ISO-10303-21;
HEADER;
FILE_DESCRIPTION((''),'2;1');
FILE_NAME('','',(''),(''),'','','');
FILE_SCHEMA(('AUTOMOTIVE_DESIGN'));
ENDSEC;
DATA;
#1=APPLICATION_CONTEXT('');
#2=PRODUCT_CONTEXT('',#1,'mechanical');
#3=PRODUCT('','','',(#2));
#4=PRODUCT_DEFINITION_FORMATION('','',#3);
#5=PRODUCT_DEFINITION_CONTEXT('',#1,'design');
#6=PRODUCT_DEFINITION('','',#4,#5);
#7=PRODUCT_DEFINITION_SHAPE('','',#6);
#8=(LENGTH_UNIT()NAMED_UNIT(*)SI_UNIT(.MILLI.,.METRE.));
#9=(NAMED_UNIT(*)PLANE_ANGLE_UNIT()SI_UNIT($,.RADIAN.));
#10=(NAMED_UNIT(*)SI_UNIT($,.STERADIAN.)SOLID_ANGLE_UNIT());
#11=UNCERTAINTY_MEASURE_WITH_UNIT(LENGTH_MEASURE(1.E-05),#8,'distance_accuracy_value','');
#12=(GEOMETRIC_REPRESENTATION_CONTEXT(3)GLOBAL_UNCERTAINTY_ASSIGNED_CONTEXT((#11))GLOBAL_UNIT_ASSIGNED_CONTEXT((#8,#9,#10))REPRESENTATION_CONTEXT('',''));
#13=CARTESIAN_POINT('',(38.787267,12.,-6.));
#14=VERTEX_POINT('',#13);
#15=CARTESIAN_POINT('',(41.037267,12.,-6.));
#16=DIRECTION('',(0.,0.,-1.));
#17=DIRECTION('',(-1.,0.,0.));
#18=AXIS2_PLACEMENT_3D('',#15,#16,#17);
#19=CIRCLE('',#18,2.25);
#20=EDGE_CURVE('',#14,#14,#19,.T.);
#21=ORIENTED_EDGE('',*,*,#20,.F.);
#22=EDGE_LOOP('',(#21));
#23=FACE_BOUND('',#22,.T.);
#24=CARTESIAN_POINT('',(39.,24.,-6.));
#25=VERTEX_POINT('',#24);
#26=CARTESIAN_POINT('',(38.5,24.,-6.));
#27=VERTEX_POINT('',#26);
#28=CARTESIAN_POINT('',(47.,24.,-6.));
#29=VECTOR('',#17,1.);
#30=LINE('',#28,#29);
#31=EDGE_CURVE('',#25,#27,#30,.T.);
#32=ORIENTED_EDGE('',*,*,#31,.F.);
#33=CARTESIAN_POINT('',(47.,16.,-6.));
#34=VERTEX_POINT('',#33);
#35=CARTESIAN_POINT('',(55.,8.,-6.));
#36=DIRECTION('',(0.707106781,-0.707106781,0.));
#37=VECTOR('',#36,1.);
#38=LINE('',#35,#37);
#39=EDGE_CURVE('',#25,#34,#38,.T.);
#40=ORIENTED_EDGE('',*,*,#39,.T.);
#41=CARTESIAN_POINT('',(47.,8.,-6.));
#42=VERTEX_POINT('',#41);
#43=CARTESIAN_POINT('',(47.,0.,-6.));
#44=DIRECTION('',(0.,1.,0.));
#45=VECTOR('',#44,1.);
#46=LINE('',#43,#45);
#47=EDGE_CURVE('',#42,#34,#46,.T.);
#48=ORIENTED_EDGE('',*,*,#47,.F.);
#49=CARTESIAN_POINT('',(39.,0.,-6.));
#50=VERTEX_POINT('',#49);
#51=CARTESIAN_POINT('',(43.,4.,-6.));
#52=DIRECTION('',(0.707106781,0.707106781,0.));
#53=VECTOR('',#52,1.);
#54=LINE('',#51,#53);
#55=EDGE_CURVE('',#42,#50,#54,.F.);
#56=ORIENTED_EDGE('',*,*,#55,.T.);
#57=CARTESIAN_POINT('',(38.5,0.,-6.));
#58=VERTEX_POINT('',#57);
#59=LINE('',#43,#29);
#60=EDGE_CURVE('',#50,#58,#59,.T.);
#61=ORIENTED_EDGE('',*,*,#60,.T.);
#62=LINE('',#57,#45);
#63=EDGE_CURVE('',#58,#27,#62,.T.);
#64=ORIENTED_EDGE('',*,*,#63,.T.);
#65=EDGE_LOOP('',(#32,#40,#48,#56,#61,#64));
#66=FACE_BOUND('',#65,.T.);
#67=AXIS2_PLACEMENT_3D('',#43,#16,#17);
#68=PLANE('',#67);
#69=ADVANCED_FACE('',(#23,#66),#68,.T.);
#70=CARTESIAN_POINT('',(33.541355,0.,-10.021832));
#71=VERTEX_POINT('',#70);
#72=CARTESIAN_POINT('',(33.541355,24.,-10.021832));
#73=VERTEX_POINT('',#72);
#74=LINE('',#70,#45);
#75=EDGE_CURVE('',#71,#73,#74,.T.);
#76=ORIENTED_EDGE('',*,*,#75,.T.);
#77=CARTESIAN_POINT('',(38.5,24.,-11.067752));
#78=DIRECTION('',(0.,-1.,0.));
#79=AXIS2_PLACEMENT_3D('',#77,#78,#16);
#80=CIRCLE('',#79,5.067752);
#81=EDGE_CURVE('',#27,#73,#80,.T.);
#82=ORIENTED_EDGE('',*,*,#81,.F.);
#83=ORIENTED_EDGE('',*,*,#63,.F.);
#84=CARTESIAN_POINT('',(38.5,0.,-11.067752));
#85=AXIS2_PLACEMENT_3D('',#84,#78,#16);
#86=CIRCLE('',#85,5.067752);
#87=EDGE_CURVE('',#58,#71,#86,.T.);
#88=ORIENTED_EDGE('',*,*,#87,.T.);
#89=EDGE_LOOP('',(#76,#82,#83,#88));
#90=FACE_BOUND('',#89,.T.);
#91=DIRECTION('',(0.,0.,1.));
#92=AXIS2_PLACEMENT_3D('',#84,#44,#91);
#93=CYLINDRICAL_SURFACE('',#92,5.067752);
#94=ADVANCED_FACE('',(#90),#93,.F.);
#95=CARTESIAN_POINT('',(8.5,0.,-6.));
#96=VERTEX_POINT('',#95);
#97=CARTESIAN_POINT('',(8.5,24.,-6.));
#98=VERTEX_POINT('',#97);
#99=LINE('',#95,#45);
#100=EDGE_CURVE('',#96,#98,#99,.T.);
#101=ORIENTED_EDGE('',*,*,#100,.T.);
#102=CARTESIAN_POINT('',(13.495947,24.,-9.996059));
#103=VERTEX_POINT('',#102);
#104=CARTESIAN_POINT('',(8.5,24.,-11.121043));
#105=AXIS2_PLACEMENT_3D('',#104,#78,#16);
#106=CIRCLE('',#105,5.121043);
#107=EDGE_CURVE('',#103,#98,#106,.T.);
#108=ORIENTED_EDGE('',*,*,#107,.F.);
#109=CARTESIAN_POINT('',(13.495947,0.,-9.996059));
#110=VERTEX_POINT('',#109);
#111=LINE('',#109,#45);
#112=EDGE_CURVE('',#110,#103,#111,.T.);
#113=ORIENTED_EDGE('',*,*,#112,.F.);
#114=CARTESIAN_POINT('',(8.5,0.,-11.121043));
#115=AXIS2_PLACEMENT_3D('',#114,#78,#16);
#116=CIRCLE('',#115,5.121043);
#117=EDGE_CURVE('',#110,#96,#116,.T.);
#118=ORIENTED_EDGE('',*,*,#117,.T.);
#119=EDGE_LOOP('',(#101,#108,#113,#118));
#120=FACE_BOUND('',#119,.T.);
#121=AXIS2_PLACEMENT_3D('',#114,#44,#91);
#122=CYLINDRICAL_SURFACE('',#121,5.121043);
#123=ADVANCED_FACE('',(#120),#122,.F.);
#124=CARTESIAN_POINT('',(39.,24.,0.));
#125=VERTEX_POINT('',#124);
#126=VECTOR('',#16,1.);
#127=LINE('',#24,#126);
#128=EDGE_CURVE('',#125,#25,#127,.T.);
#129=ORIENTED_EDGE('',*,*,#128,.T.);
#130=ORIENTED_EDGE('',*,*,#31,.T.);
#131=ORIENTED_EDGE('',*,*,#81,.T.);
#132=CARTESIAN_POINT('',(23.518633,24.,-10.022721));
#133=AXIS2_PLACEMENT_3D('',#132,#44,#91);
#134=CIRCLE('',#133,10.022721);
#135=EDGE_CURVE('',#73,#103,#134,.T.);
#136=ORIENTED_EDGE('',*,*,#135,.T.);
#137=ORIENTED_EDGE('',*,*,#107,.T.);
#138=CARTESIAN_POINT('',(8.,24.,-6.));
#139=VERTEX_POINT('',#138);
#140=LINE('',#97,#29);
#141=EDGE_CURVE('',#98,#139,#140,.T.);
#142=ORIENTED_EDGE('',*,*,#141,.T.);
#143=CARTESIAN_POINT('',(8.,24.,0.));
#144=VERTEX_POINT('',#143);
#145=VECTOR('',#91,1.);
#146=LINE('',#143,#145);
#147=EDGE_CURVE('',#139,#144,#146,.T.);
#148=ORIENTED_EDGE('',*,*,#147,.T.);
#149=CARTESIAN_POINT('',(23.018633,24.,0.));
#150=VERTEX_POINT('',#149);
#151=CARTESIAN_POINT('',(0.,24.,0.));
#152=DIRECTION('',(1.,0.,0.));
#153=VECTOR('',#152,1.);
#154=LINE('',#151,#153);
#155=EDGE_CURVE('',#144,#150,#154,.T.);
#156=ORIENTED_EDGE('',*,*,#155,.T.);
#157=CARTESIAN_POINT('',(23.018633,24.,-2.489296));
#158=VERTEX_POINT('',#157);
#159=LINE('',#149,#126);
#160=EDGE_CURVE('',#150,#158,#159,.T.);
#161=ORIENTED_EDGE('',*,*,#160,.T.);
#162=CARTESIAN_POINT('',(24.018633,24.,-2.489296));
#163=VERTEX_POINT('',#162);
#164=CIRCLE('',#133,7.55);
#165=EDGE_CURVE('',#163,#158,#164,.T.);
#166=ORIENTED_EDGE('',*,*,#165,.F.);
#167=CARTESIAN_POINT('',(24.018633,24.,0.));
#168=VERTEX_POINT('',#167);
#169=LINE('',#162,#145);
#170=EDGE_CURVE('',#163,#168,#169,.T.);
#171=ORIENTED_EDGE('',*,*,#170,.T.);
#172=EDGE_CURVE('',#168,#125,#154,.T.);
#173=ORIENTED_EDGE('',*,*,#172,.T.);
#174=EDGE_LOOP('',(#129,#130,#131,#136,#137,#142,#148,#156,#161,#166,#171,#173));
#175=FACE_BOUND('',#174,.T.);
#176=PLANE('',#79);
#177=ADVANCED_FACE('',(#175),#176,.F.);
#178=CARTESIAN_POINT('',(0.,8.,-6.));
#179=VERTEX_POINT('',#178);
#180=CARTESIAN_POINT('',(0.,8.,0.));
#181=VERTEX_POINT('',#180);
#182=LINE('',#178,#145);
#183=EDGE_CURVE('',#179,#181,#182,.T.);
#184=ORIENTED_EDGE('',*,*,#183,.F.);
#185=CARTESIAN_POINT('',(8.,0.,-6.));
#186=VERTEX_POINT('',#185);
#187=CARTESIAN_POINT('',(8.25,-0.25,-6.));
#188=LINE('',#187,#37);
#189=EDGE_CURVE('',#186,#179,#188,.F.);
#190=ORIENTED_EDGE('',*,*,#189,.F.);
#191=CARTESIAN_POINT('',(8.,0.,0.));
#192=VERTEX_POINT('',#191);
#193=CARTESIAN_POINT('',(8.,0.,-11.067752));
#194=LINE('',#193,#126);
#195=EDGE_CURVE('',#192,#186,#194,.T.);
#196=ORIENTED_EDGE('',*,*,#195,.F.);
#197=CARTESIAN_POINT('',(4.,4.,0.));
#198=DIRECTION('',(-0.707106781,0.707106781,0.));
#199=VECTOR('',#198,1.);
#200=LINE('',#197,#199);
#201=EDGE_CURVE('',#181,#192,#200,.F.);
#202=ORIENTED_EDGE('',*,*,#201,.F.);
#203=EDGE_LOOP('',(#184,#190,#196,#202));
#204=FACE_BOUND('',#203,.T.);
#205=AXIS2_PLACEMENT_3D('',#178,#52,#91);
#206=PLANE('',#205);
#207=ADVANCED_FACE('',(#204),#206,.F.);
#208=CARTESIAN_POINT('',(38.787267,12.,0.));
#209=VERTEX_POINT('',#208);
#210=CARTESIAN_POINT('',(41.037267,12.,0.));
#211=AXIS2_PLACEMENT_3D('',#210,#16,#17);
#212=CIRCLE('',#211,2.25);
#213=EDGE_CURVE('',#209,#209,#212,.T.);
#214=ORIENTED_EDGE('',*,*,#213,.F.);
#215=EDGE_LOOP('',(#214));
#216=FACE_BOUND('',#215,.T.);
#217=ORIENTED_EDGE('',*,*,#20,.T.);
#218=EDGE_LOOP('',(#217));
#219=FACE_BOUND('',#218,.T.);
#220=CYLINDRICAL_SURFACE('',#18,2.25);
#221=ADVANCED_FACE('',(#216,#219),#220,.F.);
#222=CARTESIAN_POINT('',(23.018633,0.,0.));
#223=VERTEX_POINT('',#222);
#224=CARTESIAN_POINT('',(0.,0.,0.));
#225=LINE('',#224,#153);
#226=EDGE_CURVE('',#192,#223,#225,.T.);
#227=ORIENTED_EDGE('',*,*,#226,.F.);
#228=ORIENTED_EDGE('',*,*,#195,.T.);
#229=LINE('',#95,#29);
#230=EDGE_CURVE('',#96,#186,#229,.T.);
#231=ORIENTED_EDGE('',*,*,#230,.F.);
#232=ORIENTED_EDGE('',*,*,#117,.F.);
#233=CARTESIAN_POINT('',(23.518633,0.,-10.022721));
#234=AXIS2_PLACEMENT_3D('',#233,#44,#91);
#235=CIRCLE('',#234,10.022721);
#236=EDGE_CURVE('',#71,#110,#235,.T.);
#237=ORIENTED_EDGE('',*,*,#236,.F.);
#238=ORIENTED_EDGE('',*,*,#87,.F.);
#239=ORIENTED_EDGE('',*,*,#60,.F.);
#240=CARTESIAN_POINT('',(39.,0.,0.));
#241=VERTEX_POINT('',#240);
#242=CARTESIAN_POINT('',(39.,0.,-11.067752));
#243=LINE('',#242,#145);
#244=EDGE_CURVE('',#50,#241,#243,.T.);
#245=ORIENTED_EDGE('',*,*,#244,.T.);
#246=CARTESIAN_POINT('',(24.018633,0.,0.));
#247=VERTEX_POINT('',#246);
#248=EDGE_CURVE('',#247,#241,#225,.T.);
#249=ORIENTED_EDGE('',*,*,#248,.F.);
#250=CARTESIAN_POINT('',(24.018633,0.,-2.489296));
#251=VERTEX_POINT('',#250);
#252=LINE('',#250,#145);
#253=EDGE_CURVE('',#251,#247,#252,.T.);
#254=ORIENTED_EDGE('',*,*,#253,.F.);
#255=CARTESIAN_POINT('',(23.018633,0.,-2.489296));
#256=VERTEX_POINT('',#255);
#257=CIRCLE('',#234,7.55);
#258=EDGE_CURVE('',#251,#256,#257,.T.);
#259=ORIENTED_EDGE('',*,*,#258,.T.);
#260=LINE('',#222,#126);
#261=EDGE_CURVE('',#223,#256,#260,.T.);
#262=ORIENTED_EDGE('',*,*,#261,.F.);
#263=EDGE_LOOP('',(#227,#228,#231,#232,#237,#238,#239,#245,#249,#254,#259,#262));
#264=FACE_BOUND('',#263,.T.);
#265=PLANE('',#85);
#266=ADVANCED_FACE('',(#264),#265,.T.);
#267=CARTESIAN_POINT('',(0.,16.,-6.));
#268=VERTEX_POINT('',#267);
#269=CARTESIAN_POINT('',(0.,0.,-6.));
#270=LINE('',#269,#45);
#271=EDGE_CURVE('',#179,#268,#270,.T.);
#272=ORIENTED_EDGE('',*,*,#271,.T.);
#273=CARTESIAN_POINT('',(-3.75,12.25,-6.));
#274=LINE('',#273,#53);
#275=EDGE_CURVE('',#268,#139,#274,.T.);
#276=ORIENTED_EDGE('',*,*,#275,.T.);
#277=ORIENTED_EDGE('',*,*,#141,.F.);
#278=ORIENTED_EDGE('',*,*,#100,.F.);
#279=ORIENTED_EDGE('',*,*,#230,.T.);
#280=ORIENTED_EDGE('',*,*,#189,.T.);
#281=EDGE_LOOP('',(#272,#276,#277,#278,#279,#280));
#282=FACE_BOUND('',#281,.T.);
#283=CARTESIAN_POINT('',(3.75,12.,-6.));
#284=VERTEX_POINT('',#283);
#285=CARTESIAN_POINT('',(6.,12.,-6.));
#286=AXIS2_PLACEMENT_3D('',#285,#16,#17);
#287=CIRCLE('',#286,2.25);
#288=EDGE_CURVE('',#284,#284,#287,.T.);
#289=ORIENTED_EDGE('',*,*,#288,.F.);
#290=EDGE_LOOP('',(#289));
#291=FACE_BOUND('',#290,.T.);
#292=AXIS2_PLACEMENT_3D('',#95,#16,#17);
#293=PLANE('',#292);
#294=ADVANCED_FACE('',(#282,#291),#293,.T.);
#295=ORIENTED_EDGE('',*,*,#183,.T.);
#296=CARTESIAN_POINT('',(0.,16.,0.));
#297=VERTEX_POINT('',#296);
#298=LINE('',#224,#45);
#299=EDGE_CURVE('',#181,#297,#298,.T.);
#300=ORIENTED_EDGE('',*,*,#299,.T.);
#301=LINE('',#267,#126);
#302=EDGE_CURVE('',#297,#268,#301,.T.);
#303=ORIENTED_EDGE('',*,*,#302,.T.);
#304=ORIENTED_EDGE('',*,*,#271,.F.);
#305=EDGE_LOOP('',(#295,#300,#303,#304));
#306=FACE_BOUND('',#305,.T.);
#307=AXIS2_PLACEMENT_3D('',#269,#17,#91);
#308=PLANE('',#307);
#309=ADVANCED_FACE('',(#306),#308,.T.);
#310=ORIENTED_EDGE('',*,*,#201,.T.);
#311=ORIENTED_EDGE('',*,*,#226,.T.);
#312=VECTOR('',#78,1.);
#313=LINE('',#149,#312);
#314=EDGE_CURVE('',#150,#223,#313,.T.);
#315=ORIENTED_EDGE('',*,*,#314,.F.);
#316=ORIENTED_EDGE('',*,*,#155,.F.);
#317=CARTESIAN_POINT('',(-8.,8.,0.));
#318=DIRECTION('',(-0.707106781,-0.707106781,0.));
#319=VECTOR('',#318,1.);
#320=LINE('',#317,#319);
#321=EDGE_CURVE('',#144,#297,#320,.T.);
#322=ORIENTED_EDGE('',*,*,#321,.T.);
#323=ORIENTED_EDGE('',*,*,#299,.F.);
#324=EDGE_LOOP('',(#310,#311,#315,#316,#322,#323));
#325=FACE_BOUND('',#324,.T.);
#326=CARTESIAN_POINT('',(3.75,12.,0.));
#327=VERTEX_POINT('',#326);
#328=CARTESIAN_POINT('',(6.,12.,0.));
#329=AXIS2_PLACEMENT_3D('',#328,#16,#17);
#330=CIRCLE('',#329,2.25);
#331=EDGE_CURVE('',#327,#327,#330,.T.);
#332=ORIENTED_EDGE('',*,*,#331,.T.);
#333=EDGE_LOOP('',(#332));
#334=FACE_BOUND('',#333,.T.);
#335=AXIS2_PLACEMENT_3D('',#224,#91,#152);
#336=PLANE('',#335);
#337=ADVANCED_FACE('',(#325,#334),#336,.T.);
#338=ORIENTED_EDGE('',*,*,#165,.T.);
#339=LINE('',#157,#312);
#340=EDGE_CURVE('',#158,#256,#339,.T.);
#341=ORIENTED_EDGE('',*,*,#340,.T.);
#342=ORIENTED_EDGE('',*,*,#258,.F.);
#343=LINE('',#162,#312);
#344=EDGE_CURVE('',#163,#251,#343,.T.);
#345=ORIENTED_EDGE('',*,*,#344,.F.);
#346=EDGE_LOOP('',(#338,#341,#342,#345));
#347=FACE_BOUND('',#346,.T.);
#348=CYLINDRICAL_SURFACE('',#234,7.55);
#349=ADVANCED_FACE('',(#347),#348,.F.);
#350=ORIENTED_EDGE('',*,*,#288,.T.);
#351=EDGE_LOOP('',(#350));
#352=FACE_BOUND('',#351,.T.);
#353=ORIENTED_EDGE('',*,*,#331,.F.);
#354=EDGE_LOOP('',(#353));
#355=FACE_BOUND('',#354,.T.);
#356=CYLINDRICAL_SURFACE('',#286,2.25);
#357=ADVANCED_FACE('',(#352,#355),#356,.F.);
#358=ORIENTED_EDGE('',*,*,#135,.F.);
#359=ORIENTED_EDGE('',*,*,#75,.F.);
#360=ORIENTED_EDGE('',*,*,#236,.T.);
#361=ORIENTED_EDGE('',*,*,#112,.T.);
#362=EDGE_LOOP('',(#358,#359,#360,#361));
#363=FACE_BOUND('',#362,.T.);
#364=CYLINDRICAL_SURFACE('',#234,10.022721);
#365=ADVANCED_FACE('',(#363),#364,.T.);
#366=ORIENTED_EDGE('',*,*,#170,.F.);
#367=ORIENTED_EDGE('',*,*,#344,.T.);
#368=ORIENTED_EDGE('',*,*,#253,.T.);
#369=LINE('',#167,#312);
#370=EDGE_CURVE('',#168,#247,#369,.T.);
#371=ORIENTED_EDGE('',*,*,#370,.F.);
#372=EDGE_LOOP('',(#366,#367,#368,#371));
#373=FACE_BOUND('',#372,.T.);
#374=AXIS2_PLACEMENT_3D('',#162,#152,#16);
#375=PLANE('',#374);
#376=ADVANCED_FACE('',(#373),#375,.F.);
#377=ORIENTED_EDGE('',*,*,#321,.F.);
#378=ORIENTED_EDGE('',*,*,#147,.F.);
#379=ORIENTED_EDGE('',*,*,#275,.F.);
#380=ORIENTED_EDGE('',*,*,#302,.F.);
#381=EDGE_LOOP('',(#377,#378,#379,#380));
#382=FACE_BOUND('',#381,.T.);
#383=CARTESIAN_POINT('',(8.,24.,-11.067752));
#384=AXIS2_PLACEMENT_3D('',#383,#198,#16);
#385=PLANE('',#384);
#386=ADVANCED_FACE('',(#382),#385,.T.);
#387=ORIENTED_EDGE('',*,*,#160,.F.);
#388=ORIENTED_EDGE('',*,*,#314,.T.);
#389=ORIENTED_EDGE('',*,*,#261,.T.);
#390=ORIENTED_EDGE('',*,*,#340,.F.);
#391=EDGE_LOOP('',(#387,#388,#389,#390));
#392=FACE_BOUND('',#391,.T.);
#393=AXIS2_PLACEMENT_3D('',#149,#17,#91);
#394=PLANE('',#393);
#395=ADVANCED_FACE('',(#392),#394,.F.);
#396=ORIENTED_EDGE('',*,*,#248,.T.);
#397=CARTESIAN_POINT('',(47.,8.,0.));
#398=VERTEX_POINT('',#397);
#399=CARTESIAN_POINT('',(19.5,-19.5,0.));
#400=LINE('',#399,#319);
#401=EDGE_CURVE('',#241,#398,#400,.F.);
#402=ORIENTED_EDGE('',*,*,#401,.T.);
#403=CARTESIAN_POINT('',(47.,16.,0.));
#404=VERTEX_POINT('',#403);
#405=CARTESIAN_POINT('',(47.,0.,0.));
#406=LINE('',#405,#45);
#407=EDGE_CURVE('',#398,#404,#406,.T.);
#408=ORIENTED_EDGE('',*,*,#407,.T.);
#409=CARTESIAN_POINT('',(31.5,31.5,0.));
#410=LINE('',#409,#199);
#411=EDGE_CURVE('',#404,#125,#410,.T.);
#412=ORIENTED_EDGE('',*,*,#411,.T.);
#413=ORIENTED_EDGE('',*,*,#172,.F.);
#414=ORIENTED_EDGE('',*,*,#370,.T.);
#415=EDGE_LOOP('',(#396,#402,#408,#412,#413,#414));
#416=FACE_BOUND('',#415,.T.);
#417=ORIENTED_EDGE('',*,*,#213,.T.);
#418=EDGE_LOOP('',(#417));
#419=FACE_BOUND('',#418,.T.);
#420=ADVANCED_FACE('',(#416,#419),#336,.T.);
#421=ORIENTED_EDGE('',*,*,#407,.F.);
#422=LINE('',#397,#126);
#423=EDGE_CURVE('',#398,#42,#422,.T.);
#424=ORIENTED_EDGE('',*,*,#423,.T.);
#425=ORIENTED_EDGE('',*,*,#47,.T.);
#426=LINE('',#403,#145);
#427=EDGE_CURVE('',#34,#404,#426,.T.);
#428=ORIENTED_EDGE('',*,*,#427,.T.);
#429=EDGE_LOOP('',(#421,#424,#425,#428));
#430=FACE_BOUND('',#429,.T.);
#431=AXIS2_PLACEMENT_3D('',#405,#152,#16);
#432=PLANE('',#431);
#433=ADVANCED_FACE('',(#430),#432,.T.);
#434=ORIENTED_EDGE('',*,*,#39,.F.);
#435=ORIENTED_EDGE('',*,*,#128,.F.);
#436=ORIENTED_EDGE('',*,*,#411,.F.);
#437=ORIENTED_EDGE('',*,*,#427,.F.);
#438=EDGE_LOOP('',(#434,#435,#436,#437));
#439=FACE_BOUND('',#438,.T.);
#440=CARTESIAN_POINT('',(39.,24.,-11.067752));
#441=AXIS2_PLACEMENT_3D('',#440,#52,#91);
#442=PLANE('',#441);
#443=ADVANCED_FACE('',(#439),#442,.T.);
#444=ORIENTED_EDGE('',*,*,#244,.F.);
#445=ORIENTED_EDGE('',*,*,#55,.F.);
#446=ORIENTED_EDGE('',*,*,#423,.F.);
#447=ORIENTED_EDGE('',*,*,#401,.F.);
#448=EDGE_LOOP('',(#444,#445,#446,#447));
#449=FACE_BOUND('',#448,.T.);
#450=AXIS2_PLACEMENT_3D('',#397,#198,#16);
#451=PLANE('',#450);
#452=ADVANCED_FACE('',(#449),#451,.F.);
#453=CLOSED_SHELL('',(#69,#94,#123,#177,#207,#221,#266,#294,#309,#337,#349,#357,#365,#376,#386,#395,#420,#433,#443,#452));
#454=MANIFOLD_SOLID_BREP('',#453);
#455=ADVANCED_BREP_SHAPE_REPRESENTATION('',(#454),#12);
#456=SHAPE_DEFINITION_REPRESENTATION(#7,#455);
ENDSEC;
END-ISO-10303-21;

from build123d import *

# Parameters (mm, degrees)
BOSS_EXTRUDE1_DEPTH            = 24
CUT_EXTRUDE1_DEPTH             = 25
SKETCH3_W                      = 7.55
SKETCH3_H                      = 24
F_4_5_4_5_DIAMETER_HOLE1_D     = 4.5
F_4_5_4_5_DIAMETER_HOLE1_DEPTH = 6
CHAMFER1_SIZE                  = 8


with BuildPart() as part:
    # Sketch1 → Boss-Extrude1 (new body)
    with BuildSketch(Plane(origin=(0, 24, 0), x_dir=(1, 0, 0), z_dir=(0, 1, 0))):
        with BuildLine():
            Line((0, 0), (47, 0))
            Line((47, 0), (47, 6))
            Line((47, 6), (38.5, 6))
            ThreePointArc((38.5, 6), (35.307693119, 7.131854655), (33.541354656, 10.021831577))
            ThreePointArc((33.541354656, 10.021831577), (23.505747016, 20.045434485), (13.49594739, 9.996059012))
            ThreePointArc((13.49594739, 9.996059012), (11.698748894, 7.121907302), (8.5, 6))
            Line((8.5, 6), (0, 6))
            Line((0, 6), (0, 0))
        make_face()
    extrude(amount=-BOSS_EXTRUDE1_DEPTH)

    # Sketch2 → Cut-Extrude1 (cut, through all)
    with BuildSketch(Plane.XZ):
        with BuildLine():
            Line((24.018633311, 0), (23.018633311, 0))
            Line((23.018633311, 0), (23.018633311, -2.489295869))
            ThreePointArc((23.018633311, -2.489295869), (23.518633311, -2.472721384), (24.018633311, -2.489295869))
            Line((24.018633311, -2.489295869), (24.018633311, 0))
        make_face()
    extrude(amount=-CUT_EXTRUDE1_DEPTH, mode=Mode.SUBTRACT)

    # Sketch3 → Cut-Revolve1 (revolve, cut)
    with BuildSketch(Plane(origin=(0, 0, -10.022721384), x_dir=(-1, 0, 0), z_dir=(0, 0, -1))):
        with Locations((-27.293633311, 12)):
            Rectangle(SKETCH3_W, SKETCH3_H)
    revolve(axis=Axis((23.518633311, 0, -10.022721384), (0, 1, 0)), mode=Mode.SUBTRACT)

    # Ø4.5 (4.5) Diameter Hole1
    with Locations(Plane(origin=(0, 0, -6), x_dir=(-1, 0, 0), z_dir=(0, 0, -1))):
        with Locations((-41.037266621, 12), (-6, 12)):
            Hole(F_4_5_4_5_DIAMETER_HOLE1_D / 2, depth=F_4_5_4_5_DIAMETER_HOLE1_DEPTH)

    # Chamfer1
    chamfer1_edges = [part.edges().sort_by_distance(p)[0] for p in [
        (47, 0, -3),
        (0, 24, -3),
        (0, 0, -3),
        (47, 24, -3),
    ]]
    chamfer(chamfer1_edges, length=CHAMFER1_SIZE)


solid = part.part
